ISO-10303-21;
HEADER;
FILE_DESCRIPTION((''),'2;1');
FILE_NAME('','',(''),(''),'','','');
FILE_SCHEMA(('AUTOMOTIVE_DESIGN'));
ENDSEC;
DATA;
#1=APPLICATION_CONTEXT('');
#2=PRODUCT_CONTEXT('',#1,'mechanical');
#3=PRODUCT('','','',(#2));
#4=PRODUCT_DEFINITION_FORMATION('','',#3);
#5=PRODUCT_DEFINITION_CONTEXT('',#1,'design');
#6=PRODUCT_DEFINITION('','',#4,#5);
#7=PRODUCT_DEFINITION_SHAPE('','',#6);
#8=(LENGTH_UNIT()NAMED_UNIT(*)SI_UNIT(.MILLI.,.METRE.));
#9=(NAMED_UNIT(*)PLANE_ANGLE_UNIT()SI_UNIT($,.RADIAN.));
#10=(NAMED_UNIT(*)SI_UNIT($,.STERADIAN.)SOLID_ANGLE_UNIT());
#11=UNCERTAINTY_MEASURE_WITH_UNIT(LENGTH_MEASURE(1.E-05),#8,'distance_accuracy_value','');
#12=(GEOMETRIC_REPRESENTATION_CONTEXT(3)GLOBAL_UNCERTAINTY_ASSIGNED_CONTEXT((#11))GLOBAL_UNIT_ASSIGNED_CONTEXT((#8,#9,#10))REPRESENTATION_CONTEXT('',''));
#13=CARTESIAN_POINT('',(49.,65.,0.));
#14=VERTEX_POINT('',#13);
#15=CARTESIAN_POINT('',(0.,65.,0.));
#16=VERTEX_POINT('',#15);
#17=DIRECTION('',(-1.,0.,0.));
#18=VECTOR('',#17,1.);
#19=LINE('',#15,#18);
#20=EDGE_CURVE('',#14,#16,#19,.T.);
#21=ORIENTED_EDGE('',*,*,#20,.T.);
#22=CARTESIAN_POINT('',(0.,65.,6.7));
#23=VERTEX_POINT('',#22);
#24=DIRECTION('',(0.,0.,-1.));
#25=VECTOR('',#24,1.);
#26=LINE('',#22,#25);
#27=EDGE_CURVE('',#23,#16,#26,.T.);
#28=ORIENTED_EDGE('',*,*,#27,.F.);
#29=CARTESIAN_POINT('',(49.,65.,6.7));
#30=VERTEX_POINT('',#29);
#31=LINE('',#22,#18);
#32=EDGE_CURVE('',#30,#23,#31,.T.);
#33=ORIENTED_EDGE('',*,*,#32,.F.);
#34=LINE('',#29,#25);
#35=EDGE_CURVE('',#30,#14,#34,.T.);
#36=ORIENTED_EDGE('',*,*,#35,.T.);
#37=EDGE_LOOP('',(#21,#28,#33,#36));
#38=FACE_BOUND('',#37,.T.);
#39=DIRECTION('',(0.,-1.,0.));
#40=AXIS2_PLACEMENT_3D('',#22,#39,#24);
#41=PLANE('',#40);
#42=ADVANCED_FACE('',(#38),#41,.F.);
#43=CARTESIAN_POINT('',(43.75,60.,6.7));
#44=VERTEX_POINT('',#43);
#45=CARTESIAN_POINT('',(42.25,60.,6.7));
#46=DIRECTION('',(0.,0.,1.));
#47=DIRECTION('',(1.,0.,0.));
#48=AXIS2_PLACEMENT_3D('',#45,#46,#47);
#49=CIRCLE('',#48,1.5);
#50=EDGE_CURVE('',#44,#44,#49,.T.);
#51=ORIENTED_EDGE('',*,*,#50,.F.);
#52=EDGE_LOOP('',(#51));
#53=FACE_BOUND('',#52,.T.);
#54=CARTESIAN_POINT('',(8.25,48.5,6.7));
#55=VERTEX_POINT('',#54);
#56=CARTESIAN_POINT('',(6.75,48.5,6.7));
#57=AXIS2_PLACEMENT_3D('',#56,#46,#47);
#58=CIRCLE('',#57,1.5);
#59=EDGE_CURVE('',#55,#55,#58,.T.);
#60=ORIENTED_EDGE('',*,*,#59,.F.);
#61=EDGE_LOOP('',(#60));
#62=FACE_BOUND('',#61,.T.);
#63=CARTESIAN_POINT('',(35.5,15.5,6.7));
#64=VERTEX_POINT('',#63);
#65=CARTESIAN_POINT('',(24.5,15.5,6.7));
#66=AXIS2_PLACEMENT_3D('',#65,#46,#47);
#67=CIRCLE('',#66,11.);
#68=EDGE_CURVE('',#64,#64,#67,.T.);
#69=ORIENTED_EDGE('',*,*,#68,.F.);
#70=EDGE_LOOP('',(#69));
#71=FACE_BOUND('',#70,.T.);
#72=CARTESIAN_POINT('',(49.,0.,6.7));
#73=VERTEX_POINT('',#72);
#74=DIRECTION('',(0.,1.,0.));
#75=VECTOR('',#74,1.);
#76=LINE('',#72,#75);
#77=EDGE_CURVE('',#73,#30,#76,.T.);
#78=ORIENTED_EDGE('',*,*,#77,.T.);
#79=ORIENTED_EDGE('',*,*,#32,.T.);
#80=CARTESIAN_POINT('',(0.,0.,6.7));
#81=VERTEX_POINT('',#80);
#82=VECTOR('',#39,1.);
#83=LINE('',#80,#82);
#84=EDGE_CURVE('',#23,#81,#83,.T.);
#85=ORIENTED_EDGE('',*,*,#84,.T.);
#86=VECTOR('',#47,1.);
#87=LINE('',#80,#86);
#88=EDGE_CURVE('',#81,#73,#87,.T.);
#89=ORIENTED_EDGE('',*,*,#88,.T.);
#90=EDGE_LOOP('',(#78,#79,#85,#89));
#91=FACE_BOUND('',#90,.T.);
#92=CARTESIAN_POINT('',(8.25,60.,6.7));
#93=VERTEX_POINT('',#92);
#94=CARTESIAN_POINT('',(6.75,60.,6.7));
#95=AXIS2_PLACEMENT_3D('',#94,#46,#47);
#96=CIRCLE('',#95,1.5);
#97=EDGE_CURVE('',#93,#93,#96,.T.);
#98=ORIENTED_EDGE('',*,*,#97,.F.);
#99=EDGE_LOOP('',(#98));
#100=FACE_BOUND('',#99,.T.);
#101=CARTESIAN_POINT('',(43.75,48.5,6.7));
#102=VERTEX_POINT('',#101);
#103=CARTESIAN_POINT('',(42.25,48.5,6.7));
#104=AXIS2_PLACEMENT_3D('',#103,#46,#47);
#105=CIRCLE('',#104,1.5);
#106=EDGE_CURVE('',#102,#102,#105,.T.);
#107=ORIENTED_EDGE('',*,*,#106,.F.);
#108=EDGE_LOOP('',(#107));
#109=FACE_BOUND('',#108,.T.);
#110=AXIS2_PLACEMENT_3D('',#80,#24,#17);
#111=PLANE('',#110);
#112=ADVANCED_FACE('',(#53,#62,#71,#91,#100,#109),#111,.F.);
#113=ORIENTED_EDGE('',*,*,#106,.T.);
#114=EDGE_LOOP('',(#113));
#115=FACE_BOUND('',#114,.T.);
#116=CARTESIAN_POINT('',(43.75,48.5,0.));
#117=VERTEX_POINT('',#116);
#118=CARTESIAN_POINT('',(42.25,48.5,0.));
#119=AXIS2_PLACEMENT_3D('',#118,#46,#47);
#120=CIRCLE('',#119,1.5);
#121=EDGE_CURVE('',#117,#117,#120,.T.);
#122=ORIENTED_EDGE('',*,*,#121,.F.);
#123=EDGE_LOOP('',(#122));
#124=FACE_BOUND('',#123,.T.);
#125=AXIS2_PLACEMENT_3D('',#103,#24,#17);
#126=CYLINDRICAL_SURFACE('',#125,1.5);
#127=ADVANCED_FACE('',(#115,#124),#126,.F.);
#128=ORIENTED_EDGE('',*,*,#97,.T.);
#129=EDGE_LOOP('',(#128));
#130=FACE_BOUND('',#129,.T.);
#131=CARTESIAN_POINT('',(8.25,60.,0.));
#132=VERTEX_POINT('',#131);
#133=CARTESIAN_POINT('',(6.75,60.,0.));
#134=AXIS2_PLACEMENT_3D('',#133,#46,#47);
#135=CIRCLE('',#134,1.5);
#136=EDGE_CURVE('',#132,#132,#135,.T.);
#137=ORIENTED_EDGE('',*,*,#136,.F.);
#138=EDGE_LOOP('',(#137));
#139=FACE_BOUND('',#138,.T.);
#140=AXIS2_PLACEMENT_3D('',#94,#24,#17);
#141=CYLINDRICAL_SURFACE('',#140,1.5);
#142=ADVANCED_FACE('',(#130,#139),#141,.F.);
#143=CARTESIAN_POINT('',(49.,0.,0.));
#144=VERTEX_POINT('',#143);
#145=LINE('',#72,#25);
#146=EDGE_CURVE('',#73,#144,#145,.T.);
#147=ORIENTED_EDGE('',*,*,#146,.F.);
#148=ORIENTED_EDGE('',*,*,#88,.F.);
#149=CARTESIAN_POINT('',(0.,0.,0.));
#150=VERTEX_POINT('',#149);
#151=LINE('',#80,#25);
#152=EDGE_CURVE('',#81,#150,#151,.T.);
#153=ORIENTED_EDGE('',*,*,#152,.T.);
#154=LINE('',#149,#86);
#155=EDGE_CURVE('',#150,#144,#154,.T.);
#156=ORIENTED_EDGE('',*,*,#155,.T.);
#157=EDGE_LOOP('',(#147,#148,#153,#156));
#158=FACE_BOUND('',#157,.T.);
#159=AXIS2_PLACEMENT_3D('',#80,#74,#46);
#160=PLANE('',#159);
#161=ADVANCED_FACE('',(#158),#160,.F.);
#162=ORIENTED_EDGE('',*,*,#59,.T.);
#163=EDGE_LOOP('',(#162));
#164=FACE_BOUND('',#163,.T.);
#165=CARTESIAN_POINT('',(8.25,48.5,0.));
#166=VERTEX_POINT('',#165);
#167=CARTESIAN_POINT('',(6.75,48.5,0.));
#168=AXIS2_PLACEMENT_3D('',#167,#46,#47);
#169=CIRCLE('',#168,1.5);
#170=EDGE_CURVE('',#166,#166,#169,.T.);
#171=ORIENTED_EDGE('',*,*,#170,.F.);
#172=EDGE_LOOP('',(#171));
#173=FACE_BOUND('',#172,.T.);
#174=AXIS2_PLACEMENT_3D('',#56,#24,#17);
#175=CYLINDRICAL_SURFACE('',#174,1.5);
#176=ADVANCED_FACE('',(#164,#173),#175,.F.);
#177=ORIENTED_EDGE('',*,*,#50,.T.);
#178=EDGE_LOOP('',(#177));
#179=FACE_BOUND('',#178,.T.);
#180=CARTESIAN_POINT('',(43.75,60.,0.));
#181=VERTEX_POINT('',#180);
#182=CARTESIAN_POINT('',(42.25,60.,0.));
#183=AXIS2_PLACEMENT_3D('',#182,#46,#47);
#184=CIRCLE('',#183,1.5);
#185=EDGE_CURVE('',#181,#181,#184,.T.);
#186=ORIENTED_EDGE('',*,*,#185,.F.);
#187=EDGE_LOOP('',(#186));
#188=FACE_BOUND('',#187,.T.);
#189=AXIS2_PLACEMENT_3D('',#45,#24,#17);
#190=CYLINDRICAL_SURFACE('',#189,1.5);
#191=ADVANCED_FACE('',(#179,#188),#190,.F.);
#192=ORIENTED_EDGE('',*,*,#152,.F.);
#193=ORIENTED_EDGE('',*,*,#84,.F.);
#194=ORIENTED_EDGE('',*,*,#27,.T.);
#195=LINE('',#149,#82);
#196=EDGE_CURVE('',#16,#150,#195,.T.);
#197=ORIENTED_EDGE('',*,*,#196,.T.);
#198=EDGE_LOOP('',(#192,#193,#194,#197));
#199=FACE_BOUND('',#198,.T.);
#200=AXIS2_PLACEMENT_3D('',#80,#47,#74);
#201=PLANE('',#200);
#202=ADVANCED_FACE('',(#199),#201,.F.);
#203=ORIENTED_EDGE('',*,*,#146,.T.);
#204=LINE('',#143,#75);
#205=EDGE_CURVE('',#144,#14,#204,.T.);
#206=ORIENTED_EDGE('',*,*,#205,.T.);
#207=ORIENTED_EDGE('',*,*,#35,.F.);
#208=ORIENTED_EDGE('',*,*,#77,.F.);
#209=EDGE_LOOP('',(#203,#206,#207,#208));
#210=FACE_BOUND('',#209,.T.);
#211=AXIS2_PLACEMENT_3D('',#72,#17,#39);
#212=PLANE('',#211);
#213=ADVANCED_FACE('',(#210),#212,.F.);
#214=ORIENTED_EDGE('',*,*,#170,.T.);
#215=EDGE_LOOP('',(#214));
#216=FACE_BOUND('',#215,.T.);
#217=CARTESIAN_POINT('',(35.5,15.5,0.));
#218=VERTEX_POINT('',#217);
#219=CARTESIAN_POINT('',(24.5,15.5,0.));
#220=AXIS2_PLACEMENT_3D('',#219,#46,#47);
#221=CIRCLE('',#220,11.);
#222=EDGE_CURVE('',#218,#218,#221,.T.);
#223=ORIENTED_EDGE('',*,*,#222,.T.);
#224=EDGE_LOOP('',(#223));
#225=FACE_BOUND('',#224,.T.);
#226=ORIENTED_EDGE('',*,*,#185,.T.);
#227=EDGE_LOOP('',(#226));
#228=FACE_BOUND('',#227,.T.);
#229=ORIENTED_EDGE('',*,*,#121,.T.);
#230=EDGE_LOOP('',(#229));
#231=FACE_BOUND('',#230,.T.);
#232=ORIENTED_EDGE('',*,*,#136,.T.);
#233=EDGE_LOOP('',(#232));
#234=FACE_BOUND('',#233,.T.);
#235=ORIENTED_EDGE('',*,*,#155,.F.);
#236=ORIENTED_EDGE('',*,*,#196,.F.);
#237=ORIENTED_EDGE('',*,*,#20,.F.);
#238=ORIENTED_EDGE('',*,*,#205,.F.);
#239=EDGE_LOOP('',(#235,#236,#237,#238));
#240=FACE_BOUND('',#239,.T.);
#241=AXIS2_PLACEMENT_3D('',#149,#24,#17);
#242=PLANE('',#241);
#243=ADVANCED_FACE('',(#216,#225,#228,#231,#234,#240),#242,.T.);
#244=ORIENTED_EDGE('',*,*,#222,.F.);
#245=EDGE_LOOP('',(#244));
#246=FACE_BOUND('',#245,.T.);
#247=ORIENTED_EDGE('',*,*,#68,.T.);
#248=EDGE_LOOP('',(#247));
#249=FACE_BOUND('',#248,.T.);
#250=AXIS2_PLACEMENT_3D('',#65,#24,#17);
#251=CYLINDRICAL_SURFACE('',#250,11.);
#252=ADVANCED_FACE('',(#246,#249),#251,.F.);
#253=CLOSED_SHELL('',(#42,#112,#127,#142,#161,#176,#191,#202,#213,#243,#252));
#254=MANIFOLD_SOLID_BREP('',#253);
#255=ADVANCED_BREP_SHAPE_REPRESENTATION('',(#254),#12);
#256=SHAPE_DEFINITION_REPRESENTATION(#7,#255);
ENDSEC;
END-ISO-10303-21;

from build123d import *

# Parameters (mm, degrees)
SKETCH1_W           = 49
SKETCH1_H           = 65
SKETCH1_R           = 1.5
SKETCH1_R_2         = 11
BOSS_EXTRUDE1_DEPTH = 6.7


with BuildPart() as part:
    # Sketch1 → Boss-Extrude1 (new body)
    with BuildSketch(Plane.XY):
        with Locations((24.5, 32.5)):
            Rectangle(SKETCH1_W, SKETCH1_H)
        with Locations((6.75, 60)):
            Circle(SKETCH1_R, mode=Mode.SUBTRACT)
        with Locations((6.75, 48.5)):
            Circle(SKETCH1_R, mode=Mode.SUBTRACT)
        with Locations((42.25, 60)):
            Circle(SKETCH1_R, mode=Mode.SUBTRACT)
        with Locations((42.25, 48.5)):
            Circle(SKETCH1_R, mode=Mode.SUBTRACT)
        with Locations((24.5, 15.5)):
            Circle(SKETCH1_R_2, mode=Mode.SUBTRACT)
    extrude(amount=BOSS_EXTRUDE1_DEPTH)


solid = part.part
